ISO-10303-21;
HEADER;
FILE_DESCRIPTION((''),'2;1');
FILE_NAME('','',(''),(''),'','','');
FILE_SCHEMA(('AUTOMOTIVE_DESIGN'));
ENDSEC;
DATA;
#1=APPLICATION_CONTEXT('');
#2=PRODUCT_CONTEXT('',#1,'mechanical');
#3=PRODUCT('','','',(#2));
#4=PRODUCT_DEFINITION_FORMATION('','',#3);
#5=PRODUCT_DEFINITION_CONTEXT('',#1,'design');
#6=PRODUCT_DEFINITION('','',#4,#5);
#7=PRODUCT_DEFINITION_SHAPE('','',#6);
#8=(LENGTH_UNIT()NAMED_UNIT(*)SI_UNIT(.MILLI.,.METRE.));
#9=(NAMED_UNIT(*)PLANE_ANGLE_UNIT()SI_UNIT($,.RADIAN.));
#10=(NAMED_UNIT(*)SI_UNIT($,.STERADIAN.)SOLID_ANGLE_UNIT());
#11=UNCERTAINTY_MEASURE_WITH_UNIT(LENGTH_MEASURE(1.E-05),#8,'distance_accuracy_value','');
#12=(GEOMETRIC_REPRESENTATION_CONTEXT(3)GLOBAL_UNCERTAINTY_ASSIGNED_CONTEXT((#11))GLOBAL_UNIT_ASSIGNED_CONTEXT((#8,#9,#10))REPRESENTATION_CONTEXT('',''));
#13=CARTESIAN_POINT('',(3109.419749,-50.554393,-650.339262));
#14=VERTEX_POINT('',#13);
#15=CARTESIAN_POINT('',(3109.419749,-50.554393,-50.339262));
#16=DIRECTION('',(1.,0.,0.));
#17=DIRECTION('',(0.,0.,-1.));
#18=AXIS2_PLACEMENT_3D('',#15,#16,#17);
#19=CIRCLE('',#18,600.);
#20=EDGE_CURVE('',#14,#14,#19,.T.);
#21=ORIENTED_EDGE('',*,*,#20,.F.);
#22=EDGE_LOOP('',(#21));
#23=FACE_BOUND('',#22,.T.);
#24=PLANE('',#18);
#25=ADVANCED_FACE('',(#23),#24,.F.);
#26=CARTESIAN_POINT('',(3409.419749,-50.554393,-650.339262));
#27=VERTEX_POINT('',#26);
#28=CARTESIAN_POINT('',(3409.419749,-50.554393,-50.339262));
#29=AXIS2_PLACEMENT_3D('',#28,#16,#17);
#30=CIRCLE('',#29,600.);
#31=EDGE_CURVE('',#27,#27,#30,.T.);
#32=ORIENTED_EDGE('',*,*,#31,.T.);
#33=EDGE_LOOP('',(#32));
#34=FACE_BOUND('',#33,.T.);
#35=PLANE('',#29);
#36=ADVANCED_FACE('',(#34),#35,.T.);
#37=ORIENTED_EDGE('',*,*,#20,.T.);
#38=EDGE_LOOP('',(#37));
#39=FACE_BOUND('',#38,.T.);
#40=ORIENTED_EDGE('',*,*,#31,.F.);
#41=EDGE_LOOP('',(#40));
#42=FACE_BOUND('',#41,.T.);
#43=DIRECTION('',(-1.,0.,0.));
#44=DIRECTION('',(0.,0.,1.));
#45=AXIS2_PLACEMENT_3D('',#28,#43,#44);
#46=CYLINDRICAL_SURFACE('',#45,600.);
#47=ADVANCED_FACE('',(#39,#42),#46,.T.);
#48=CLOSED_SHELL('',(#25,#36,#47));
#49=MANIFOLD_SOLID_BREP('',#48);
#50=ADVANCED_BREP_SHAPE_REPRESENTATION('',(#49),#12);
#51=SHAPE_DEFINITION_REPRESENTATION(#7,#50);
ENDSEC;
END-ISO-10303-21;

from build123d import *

# Parameters (mm, degrees)
SKETCH2_R      = 600
EXTRUDE1_DEPTH = 300


with BuildPart() as part:
    # Sketch2 → Extrude1 (new body)
    with BuildSketch(Plane(origin=(3109.4197493, 0, 0), x_dir=(0, 0, -1), z_dir=(1, 0, 0))):
        with Locations((50.339261683, -50.554392858)):
            Circle(SKETCH2_R)
    extrude(amount=EXTRUDE1_DEPTH)


solid = part.part
